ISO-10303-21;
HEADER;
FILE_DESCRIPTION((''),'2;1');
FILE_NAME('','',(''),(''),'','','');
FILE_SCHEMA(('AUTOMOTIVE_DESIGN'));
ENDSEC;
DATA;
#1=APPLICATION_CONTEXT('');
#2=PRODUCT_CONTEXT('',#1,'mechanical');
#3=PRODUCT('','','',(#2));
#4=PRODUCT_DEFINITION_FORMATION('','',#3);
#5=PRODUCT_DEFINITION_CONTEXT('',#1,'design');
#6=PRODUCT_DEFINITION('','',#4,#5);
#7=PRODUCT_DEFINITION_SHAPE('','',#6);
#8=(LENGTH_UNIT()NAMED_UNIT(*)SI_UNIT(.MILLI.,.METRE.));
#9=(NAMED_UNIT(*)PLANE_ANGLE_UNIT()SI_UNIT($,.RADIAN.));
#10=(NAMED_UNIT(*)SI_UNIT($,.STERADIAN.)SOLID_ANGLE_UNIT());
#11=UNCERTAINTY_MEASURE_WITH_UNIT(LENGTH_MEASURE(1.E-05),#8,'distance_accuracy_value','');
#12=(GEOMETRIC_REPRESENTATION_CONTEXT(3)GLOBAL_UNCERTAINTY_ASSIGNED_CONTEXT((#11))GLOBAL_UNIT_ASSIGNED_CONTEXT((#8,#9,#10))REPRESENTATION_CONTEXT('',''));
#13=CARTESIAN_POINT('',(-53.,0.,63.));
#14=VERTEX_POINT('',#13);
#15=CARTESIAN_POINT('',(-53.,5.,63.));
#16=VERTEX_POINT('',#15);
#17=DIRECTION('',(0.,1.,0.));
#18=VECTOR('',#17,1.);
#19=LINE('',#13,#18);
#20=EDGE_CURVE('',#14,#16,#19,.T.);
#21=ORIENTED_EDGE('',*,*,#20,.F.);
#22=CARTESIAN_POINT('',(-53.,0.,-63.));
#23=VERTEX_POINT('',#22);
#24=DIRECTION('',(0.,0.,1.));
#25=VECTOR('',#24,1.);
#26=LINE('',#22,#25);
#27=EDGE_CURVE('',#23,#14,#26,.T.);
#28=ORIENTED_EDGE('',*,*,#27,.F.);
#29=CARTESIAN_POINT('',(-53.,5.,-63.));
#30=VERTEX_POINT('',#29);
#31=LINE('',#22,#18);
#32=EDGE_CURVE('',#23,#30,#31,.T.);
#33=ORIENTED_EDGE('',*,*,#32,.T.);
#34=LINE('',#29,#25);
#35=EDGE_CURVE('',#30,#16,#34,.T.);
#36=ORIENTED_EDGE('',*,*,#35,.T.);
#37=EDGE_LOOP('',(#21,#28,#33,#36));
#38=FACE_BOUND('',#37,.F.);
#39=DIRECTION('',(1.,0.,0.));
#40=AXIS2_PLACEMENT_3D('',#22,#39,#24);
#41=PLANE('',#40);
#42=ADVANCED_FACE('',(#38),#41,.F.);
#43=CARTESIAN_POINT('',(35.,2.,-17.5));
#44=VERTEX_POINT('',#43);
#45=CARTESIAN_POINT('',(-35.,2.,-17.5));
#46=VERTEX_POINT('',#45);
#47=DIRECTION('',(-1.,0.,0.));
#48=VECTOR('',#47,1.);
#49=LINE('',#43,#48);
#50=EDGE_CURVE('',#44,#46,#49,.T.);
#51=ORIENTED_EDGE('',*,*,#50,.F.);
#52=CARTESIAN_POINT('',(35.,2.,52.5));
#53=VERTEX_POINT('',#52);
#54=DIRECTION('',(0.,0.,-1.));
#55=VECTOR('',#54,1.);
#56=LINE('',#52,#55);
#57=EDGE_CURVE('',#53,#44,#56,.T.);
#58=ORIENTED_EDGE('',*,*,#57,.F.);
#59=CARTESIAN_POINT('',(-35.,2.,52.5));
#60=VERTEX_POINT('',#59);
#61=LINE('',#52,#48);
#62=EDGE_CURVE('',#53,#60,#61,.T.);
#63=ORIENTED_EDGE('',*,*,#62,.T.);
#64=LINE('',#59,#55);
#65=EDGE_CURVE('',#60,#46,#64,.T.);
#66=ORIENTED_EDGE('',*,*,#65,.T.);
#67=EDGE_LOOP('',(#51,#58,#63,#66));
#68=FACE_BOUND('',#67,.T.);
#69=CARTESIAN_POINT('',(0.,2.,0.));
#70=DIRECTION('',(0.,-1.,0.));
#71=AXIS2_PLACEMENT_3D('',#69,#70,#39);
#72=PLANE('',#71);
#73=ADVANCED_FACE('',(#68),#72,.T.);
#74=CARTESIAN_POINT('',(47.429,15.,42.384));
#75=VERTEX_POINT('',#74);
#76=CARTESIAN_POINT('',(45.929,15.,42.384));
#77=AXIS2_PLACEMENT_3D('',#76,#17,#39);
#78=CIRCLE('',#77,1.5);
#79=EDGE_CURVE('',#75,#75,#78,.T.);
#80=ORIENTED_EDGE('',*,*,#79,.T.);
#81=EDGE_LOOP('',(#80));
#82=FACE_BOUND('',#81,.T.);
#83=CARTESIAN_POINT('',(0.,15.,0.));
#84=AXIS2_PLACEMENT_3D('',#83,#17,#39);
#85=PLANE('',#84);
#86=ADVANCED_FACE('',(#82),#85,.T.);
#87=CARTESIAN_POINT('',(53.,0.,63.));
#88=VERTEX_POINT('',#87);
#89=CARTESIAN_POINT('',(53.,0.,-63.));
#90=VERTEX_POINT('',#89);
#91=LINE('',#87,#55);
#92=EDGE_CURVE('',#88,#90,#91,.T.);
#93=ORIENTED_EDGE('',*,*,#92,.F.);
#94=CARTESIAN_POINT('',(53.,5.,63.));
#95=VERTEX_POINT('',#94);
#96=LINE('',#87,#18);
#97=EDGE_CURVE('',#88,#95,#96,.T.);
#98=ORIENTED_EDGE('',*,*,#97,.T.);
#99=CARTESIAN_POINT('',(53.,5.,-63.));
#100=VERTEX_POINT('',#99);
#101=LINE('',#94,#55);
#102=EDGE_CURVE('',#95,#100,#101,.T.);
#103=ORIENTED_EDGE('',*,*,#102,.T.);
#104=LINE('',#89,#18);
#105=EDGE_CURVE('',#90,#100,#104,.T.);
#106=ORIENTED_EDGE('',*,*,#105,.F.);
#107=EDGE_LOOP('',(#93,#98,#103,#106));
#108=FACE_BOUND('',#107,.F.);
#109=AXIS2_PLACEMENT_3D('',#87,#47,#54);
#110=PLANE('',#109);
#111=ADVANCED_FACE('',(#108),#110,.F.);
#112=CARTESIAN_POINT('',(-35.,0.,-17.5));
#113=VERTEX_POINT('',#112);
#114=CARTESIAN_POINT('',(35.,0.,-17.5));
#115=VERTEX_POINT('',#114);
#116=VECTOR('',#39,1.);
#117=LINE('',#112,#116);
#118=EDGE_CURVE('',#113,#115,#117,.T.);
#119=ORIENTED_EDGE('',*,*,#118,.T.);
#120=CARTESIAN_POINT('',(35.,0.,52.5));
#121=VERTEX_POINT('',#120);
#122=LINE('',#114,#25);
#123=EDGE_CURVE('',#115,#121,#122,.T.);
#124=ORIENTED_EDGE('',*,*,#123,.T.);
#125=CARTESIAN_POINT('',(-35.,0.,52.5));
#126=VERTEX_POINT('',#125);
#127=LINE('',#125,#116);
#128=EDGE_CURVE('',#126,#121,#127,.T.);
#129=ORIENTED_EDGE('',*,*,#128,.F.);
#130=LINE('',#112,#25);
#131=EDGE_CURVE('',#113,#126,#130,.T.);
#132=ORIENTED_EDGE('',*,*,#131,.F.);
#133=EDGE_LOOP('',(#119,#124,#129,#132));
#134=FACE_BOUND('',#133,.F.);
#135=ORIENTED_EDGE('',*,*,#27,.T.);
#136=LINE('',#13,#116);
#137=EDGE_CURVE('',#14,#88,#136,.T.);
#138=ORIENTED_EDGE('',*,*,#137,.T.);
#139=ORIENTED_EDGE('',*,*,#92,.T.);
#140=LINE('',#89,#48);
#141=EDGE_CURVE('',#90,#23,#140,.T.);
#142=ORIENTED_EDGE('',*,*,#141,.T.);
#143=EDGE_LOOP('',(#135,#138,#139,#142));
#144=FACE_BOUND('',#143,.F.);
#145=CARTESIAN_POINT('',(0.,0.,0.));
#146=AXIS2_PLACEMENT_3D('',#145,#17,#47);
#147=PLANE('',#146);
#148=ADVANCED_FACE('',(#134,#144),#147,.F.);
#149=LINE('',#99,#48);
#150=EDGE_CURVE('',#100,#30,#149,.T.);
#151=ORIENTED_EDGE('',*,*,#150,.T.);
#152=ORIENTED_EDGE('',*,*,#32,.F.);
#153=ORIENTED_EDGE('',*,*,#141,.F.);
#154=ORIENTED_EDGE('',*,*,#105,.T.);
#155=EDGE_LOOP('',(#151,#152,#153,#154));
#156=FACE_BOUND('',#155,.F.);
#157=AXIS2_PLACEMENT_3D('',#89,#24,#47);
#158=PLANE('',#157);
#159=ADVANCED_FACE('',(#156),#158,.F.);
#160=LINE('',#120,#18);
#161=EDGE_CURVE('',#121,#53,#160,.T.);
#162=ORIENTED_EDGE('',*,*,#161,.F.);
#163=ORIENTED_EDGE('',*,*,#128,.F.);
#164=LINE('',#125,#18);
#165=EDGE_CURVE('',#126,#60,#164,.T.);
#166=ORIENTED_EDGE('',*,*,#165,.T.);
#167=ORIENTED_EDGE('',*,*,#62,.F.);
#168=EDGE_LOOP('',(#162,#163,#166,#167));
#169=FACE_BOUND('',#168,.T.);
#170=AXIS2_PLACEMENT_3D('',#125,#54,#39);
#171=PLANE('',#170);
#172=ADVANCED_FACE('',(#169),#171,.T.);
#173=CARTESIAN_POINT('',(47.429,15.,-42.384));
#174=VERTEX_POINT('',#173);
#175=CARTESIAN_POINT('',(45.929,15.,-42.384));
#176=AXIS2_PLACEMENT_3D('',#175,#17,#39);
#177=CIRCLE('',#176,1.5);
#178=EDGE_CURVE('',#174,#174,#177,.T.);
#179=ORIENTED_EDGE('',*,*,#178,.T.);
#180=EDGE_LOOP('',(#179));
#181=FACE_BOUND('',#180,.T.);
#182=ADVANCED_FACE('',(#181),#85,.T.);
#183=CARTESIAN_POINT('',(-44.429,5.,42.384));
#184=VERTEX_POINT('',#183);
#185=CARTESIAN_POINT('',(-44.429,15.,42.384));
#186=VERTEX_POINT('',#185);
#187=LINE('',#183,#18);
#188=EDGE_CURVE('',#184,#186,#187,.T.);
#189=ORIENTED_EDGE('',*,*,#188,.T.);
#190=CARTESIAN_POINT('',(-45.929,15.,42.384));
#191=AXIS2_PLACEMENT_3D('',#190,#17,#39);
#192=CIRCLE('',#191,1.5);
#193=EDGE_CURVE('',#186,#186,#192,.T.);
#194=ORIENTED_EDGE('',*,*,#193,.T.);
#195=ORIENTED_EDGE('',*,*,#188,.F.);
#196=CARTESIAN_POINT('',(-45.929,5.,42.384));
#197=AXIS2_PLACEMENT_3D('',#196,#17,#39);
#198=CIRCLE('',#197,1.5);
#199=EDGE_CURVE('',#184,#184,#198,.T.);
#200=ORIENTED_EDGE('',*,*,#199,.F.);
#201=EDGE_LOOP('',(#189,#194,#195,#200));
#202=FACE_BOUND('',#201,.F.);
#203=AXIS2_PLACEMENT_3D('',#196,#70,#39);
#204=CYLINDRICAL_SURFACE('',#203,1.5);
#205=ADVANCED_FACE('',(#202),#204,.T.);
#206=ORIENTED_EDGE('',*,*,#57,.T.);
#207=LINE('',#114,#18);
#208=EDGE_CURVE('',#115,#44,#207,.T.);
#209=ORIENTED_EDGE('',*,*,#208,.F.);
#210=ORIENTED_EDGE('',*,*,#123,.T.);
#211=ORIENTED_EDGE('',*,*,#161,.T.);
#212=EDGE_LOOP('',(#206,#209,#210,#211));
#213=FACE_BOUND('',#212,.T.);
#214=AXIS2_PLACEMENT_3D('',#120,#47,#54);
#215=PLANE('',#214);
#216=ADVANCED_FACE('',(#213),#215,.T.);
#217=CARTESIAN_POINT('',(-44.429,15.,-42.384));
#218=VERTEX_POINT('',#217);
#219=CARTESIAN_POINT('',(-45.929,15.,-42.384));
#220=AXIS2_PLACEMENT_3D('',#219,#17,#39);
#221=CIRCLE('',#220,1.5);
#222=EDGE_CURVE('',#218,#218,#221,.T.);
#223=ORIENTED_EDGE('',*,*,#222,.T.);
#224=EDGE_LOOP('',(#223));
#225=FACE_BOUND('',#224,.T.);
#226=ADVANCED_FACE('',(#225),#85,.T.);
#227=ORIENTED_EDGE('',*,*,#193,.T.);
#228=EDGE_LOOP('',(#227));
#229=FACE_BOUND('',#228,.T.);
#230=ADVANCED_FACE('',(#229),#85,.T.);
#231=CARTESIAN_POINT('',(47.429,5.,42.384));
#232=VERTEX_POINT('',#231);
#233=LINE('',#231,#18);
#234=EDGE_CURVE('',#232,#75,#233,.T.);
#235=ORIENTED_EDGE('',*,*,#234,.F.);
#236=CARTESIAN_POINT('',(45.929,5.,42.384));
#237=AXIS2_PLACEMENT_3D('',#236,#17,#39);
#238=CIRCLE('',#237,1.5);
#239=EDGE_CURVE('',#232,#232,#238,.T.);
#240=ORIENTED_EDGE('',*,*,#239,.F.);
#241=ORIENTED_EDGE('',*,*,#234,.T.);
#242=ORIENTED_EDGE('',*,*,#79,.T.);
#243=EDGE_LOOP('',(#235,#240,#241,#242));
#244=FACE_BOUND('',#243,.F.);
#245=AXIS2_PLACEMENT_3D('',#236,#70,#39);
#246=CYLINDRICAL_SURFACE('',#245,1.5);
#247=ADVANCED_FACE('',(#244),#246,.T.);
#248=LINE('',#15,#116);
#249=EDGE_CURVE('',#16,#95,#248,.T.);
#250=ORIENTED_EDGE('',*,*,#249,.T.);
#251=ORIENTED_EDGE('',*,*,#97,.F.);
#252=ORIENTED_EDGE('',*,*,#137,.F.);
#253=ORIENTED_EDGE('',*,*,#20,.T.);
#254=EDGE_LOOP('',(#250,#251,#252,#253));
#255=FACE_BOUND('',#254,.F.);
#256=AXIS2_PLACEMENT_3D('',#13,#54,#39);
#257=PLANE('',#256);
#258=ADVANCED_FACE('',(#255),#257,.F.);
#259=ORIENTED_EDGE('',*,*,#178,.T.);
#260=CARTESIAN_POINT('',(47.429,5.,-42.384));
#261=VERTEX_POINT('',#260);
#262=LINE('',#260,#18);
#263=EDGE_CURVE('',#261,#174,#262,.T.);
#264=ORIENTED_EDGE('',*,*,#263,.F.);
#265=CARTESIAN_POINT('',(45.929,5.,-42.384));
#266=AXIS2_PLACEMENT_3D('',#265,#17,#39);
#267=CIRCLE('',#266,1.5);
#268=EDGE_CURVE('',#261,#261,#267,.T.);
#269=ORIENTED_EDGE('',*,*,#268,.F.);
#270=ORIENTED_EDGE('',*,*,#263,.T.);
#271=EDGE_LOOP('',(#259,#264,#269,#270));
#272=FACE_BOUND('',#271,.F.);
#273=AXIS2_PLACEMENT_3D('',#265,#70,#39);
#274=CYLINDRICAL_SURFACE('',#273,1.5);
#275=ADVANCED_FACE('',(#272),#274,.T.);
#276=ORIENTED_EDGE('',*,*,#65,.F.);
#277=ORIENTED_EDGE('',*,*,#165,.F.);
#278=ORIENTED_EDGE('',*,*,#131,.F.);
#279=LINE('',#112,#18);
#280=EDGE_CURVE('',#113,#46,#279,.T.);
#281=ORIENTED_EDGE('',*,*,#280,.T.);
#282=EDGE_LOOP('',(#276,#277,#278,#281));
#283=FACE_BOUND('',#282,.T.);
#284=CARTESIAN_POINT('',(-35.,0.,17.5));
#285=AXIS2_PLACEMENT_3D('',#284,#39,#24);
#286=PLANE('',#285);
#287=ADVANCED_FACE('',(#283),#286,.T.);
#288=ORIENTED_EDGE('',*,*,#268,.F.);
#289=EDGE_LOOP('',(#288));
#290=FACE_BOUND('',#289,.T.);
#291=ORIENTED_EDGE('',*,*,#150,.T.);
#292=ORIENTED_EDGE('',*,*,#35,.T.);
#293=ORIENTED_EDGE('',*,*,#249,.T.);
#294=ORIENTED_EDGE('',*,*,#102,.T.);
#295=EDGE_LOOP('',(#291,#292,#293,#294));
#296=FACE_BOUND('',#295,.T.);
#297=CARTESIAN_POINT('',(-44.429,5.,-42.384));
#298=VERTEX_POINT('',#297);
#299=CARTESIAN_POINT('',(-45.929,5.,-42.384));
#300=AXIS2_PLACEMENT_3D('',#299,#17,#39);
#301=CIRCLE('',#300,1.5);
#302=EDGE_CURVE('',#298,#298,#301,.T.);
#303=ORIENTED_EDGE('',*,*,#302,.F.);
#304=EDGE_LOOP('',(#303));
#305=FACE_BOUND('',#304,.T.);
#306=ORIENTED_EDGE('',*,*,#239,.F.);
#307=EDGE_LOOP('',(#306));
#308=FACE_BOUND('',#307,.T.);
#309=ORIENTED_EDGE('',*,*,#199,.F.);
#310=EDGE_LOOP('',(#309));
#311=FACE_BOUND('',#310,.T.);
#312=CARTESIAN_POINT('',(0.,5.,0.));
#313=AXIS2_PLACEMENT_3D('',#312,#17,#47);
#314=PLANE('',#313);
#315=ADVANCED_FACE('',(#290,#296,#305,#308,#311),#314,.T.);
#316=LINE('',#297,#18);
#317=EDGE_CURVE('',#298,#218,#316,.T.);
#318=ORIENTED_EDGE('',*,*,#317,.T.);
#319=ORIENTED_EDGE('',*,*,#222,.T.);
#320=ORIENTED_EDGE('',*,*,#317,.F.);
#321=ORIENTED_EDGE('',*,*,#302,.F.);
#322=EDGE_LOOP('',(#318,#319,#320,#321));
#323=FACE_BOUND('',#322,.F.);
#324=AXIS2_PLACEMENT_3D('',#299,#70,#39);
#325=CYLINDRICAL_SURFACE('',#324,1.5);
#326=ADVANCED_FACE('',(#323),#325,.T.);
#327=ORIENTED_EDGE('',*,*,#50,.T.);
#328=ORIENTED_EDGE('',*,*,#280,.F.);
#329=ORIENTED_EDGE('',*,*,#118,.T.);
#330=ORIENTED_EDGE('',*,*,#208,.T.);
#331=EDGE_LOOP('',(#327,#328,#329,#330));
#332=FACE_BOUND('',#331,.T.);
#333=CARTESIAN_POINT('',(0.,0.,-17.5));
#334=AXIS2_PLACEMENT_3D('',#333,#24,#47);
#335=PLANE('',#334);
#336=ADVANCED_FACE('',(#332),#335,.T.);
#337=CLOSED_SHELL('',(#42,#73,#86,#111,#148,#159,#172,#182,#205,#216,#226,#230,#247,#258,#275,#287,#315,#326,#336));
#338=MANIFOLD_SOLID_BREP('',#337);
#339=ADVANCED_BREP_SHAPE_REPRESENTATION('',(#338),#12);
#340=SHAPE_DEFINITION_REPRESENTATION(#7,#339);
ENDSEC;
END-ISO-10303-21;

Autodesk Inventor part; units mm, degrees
ref_plane "YZ Plane" through (0, 0, 0) normal (1, 0, 0) x (0, 1, 0)
ref_plane "XZ Plane" through (0, 0, 0) normal (0, 1, 0) x (-1, 0, 0)
ref_plane "XY Plane" through (0, 0, 0) normal (0, 0, 1) x (1, 0, 0)
sketch "Boceto1" plane through (0, 0, 0) normal (0, 1, 0) x (-1, 0, 0)
  line L0 (53, 63) -> (-53, 63)
  line L1 (-53, 63) -> (-53, -63)
  line L2 (-53, -63) -> (53, -63)
  line L3 (53, -63) -> (53, 63)
  point P0 (0, 0)
  point P1 (0, 63)
  dimension "d1" = 106
  dimension "d2" = 126
  dimension "d3" = 53
  dimension "d4" = 63
extrude "Extrusión1" add sketch "Boceto1" along normal blind 5
sketch "Boceto2" plane through (0, 5, 0) normal (0, 1, 0) x (1, 0, 0)
  circle A0 centre (-45.929, -42.384) radius 1.5
  line L0 (-53, -63) -> (53, -63) projected
  line L1 (-53, 63) -> (-53, -63) projected
  line L2 (-81, 0) -> (77, 0)
  line L3 (0, -130) -> (0, 128)
  circle A1 centre (-45.929, 42.384) radius 1.5
  line L4 (-53, -63) -> (-53, 63)
  circle A2 centre (45.929, -42.384) radius 1.5
  circle A3 centre (45.929, 42.384) radius 1.5
  point P0 (0, 0)
  dimension "d7" = 3
  dimension "d8" = 20.616
  dimension "d9" = 7.071
extrude "Extrusión2" add sketch "Boceto2" along normal blind 10 contours A0 | A1 | A2 | A3
sketch "Boceto3" plane through (0, 0, 0) normal (0, -1, 0) x (1, 0, 0)
  line L0 (-35, 52.5) -> (35, 52.5)
  line L1 (35, 52.5) -> (35, -52.5)
  line L2 (35, -52.5) -> (-35, -52.5)
  line L3 (-35, -52.5) -> (-35, 52.5)
  line L4 (53, -63) -> (-53, -63) projected
  line L5 (-53, 63) -> (53, 63) projected
  line L6 (53, 63) -> (53, -63) projected
  line L7 (-53, -63) -> (-53, 63) projected
  line L8 (35, 17.5) -> (-35, 17.5)
  line L9 (35, -17.5) -> (-35, -17.5)
  line L10 (0, 52.5) -> (0, -52.5)
  point P0 (0, 0)
  point P1 (0, 17.5)
  dimension "d12" = 52.5
  dimension "d13" = 126
  dimension "d14" = 106
  dimension "d15" = 52.5
  dimension "d16" = 35
  dimension "d17" = 35
  dimension "d18" = 35
  dimension "d19" = 35
  dimension "d20" = 35
extrude "Extrusión3" cut sketch "Boceto3" against normal blind 2 contours L0 L10 L8 L3 | L0 L1 L8 L10 | L8 L10 L9 L3 | L8 L1 L9 L10
properties part number "Tapa 0"
